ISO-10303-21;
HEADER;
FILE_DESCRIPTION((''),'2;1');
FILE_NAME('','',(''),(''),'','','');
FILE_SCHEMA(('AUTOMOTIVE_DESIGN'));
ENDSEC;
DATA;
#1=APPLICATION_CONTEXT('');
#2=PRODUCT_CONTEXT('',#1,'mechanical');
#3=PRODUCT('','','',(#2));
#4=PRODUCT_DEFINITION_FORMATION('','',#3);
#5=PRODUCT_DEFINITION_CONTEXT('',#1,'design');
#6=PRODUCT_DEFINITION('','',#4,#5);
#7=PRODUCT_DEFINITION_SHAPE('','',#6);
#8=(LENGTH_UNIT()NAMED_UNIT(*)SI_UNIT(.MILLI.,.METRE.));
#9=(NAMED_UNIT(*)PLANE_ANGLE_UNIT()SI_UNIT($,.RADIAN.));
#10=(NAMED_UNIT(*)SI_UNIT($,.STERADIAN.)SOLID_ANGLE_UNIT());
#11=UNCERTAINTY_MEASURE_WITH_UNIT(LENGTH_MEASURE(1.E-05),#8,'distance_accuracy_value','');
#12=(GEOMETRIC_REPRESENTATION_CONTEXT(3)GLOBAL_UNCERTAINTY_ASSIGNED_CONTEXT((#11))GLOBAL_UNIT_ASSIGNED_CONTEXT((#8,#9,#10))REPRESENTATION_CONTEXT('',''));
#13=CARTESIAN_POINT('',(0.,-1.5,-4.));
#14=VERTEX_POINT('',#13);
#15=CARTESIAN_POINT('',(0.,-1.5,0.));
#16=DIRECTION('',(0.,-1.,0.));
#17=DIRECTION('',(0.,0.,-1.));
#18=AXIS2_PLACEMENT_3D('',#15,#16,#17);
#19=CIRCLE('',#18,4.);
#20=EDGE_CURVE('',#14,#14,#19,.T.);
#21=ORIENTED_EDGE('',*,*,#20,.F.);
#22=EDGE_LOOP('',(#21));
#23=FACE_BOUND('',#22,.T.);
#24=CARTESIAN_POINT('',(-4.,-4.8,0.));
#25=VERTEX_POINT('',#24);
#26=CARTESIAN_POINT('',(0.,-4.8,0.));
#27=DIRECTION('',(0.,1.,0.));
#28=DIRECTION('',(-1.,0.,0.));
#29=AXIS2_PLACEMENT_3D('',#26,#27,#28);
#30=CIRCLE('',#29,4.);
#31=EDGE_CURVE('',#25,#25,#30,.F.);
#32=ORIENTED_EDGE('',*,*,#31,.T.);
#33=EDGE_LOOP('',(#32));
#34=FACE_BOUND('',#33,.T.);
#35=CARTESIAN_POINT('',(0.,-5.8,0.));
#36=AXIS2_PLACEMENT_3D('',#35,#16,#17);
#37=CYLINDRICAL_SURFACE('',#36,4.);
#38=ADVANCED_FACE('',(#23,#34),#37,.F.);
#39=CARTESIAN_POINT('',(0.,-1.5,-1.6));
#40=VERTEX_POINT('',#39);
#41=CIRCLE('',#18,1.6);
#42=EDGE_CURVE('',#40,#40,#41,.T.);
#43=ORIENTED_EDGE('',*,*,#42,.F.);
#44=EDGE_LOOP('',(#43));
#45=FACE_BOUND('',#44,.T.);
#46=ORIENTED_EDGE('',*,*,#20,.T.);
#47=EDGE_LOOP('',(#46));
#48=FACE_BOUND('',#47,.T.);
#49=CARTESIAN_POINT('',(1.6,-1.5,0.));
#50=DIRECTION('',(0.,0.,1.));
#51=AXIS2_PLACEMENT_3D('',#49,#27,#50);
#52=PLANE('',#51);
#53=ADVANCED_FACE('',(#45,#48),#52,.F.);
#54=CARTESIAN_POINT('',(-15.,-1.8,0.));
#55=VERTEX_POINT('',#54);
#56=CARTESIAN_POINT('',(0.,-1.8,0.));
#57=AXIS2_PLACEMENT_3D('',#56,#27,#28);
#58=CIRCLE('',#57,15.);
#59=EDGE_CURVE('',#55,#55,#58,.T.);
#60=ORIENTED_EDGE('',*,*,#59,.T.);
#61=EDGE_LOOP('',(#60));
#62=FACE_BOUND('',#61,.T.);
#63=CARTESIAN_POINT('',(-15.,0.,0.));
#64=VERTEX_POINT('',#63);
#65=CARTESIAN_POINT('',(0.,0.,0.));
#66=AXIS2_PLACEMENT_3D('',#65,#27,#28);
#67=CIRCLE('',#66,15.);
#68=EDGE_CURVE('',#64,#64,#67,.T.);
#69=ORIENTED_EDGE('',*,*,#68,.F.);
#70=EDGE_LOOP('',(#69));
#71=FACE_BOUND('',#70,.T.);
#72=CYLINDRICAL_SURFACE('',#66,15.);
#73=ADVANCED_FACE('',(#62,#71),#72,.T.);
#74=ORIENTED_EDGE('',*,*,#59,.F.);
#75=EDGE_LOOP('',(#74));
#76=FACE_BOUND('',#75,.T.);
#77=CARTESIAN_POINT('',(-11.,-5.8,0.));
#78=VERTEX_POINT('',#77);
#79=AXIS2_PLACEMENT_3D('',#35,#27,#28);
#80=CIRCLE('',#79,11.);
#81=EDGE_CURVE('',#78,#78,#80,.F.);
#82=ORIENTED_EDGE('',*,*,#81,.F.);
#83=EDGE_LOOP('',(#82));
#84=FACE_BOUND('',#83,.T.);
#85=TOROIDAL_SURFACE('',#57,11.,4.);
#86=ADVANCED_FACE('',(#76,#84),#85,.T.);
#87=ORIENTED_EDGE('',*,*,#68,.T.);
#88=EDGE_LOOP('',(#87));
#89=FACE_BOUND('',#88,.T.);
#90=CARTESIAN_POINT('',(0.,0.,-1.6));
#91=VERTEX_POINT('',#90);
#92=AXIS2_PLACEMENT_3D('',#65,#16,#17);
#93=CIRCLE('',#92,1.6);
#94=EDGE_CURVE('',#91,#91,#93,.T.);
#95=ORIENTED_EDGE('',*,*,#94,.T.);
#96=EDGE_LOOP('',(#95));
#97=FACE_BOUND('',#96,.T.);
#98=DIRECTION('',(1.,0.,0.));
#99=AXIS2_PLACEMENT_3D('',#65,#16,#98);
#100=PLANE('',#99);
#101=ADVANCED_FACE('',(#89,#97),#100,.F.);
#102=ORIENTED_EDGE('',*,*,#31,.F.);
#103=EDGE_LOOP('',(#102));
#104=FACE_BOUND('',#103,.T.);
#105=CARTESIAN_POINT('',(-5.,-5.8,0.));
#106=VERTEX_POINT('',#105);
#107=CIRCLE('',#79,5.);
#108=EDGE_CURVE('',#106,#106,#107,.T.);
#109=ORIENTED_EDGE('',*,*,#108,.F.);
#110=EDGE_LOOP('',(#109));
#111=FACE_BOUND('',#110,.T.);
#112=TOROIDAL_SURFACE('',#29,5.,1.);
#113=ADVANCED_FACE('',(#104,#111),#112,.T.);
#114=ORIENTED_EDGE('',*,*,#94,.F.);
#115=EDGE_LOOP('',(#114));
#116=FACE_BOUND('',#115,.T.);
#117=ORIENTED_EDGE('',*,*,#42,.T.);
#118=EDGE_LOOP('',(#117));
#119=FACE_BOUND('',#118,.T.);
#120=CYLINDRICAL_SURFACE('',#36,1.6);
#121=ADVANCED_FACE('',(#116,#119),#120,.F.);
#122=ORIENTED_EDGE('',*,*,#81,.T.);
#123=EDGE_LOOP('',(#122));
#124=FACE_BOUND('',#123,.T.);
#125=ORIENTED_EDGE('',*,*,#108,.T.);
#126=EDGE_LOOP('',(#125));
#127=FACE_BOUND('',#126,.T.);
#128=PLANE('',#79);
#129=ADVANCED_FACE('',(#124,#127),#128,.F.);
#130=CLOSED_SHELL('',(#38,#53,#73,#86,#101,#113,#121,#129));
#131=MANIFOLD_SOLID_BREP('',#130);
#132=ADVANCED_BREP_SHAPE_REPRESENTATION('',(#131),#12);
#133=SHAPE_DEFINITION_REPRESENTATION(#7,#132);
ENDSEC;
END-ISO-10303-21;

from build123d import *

# Parameters (mm, degrees)
SKETCH1_W                      = 15
SKETCH1_H                      = 5.8
CBORE_FOR_M3_SHCS1_D           = 3.2
CBORE_FOR_M3_SHCS1_CBORE_D     = 8
CBORE_FOR_M3_SHCS1_CBORE_DEPTH = 4.3
FILLET2_R                      = 4
FILLET3_R                      = 1


with BuildPart() as part:
    # Sketch1 → Revolve1 (revolve)
    with BuildSketch(Plane.XY, mode=Mode.PRIVATE) as revolve1_sk:
        with Locations((7.5, -2.9)):
            Rectangle(SKETCH1_W, SKETCH1_H)
    revolve(revolve1_sk.sketch.rotate(Axis((0, 0, 0), (0, -1, 0)), 180), axis=Axis((0, 0, 0), (0, -1, 0)))

    # CBORE for M3 SHCS1 (through all)
    with Locations(Plane(origin=(0, -5.8, 0), x_dir=(-1, 0, 0), z_dir=(0, -1, 0))):
        with Locations((0, 0)):
            CounterBoreHole(CBORE_FOR_M3_SHCS1_D / 2, CBORE_FOR_M3_SHCS1_CBORE_D / 2, CBORE_FOR_M3_SHCS1_CBORE_DEPTH)

    # Fillet2
    fillet2_edges = [part.edges().sort_by_distance(p)[0] for p in [
        (15, -5.8, 0),
    ]]
    fillet(fillet2_edges, radius=FILLET2_R)

    # Fillet3
    fillet3_edges = [part.edges().sort_by_distance(p)[0] for p in [
        (4, -5.8, 0),
    ]]
    fillet(fillet3_edges, radius=FILLET3_R)


solid = part.part
